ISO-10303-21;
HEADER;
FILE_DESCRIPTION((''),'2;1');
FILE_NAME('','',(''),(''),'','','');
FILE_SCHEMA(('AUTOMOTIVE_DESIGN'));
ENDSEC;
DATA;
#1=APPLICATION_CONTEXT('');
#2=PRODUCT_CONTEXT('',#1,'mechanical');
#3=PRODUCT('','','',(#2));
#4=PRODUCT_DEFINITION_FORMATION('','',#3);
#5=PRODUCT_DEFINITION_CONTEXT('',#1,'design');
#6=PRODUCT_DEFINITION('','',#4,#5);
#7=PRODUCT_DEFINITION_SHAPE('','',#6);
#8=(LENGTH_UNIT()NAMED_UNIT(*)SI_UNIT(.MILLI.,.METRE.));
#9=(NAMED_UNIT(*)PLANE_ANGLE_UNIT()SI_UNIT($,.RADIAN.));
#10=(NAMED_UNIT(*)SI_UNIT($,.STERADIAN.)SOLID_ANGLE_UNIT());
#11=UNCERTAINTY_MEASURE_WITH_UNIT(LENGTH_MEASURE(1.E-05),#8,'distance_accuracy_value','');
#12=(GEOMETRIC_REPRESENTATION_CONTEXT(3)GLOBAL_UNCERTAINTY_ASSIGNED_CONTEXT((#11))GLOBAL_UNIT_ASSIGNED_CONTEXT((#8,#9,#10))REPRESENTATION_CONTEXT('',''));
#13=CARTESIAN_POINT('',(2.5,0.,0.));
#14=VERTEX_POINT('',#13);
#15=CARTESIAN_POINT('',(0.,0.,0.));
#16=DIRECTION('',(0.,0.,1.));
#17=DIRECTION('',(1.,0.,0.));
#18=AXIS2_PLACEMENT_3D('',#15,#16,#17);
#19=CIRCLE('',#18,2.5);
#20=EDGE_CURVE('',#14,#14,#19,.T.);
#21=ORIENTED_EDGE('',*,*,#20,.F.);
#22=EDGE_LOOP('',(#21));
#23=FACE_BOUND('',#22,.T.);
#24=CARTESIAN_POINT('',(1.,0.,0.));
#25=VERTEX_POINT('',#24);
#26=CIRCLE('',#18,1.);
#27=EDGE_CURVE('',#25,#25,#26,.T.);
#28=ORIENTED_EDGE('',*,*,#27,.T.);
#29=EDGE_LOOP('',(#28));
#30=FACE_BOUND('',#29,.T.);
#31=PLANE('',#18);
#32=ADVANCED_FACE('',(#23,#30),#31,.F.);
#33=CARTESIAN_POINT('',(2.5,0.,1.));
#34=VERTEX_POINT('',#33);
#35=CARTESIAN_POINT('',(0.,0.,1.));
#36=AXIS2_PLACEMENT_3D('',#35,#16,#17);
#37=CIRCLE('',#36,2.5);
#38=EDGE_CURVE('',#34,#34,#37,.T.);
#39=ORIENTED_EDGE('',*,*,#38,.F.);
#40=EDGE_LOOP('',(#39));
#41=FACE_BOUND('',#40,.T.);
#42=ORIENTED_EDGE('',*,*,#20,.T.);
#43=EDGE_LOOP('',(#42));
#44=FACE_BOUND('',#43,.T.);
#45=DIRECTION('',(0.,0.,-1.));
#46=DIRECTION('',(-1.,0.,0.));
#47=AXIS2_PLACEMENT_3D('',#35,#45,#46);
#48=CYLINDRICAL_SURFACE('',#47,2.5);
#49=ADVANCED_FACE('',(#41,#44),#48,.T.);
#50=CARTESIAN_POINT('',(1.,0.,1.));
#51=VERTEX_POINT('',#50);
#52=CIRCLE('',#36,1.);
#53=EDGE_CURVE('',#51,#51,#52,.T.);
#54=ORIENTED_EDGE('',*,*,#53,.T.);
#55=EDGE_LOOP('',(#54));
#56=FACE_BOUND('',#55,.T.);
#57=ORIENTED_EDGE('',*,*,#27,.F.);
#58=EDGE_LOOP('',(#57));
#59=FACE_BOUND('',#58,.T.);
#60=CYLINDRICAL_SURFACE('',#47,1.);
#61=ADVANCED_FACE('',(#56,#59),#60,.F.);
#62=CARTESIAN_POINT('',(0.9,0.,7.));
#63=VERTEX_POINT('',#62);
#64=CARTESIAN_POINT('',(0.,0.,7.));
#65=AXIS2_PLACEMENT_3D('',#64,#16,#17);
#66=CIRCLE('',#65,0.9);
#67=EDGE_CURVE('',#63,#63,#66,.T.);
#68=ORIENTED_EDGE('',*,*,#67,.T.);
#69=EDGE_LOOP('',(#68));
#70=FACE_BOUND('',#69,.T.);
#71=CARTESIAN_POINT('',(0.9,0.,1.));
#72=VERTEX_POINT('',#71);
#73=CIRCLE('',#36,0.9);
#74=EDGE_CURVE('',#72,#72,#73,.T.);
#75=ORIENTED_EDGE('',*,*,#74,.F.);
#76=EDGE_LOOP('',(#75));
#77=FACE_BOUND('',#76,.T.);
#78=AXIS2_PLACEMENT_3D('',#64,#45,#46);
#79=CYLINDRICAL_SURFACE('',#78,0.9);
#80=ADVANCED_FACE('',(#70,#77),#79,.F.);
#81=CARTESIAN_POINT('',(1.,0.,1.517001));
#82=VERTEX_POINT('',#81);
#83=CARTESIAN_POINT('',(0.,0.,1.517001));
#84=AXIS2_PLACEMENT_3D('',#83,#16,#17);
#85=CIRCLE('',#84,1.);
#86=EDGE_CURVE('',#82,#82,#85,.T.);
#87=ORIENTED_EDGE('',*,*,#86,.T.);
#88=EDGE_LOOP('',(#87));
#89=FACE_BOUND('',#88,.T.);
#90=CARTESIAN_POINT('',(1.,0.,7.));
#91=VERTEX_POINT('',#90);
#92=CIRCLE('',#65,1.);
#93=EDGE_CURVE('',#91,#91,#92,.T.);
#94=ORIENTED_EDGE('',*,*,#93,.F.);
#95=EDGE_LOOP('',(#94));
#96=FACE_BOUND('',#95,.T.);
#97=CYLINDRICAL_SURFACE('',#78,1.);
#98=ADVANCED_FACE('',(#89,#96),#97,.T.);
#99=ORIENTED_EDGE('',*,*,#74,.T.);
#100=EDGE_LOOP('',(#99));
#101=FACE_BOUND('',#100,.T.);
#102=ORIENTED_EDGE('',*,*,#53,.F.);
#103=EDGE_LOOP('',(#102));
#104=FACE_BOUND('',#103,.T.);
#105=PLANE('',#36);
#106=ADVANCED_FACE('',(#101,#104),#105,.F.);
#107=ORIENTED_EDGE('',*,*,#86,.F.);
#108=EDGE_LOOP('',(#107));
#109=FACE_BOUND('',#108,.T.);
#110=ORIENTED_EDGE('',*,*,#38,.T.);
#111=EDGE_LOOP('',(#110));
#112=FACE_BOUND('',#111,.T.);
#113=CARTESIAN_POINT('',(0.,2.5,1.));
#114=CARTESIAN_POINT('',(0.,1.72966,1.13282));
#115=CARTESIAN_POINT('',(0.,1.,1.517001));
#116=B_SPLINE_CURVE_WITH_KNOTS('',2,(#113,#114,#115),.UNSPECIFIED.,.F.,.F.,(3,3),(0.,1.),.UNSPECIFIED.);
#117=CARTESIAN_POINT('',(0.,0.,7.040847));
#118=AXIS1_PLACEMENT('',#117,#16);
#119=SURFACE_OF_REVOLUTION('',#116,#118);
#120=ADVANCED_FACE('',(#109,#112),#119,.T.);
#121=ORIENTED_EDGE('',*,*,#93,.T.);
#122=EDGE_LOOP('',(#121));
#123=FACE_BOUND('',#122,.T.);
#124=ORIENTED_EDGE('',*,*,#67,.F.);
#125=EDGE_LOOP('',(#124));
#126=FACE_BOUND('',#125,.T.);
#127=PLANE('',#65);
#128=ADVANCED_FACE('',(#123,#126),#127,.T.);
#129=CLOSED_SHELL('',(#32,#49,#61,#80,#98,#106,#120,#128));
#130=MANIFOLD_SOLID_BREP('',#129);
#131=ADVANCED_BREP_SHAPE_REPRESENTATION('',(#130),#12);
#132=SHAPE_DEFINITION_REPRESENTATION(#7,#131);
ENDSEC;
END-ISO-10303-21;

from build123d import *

# Parameters (mm, degrees)
CROQUIS1_R              = 2.5
CROQUIS1_R_2            = 1
SALIENTE_EXTRUIR1_DEPTH = 1
CROQUIS2_R              = 1
SALIENTE_EXTRUIR2_DEPTH = 6
VACIADO2_T              = -0.1


with BuildPart() as part:
    # Croquis1 → Saliente-Extruir1 (new body)
    with BuildSketch(Plane.XY):
        Circle(CROQUIS1_R)
        Circle(CROQUIS1_R_2, mode=Mode.SUBTRACT)
    extrude(amount=SALIENTE_EXTRUIR1_DEPTH)



with BuildPart() as body_2:
    # Croquis2 → Saliente-Extruir2 (new body)
    with BuildSketch(Plane.XY.offset(1)):
        Circle(CROQUIS2_R)
    extrude(amount=SALIENTE_EXTRUIR2_DEPTH)

    # Vaciado2
    vaciado2_openings = [body_2.faces().sort_by_distance(p)[0] for p in [
        (0, 0, 7),
        (0, 0, 1),
    ]]
    offset(amount=VACIADO2_T, openings=vaciado2_openings, kind=Kind.INTERSECTION)


with BuildPart() as part_1:
    add(part.part)

    add(body_2.part)  # Revolución2 merges body 2
    # Croquis3 → Revolución2 (revolve)
    with BuildSketch(Plane(origin=(0, 0, 0), x_dir=(0, 0, -1), z_dir=(1, 0, 0)), mode=Mode.PRIVATE) as revoluci_n2_sk:
        with BuildLine():
            Line((-1, 2.5), (-1, 1))
            Line((-1, 1), (-1.517000999, 1))
            add(Edge.make_bspline(
                [(-1.517000999, 1), (-1.132819845, 1.729659773), (-1, 2.5)],
                knots=[0, 0, 0, 1, 1, 1], degree=2))
        make_face()
    revolve(revoluci_n2_sk.sketch.rotate(Axis((0, 0, 7.040846827), (0, 0, -1)), 90), axis=Axis((0, 0, 7.040846827), (0, 0, -1)))


solid = part_1.part
